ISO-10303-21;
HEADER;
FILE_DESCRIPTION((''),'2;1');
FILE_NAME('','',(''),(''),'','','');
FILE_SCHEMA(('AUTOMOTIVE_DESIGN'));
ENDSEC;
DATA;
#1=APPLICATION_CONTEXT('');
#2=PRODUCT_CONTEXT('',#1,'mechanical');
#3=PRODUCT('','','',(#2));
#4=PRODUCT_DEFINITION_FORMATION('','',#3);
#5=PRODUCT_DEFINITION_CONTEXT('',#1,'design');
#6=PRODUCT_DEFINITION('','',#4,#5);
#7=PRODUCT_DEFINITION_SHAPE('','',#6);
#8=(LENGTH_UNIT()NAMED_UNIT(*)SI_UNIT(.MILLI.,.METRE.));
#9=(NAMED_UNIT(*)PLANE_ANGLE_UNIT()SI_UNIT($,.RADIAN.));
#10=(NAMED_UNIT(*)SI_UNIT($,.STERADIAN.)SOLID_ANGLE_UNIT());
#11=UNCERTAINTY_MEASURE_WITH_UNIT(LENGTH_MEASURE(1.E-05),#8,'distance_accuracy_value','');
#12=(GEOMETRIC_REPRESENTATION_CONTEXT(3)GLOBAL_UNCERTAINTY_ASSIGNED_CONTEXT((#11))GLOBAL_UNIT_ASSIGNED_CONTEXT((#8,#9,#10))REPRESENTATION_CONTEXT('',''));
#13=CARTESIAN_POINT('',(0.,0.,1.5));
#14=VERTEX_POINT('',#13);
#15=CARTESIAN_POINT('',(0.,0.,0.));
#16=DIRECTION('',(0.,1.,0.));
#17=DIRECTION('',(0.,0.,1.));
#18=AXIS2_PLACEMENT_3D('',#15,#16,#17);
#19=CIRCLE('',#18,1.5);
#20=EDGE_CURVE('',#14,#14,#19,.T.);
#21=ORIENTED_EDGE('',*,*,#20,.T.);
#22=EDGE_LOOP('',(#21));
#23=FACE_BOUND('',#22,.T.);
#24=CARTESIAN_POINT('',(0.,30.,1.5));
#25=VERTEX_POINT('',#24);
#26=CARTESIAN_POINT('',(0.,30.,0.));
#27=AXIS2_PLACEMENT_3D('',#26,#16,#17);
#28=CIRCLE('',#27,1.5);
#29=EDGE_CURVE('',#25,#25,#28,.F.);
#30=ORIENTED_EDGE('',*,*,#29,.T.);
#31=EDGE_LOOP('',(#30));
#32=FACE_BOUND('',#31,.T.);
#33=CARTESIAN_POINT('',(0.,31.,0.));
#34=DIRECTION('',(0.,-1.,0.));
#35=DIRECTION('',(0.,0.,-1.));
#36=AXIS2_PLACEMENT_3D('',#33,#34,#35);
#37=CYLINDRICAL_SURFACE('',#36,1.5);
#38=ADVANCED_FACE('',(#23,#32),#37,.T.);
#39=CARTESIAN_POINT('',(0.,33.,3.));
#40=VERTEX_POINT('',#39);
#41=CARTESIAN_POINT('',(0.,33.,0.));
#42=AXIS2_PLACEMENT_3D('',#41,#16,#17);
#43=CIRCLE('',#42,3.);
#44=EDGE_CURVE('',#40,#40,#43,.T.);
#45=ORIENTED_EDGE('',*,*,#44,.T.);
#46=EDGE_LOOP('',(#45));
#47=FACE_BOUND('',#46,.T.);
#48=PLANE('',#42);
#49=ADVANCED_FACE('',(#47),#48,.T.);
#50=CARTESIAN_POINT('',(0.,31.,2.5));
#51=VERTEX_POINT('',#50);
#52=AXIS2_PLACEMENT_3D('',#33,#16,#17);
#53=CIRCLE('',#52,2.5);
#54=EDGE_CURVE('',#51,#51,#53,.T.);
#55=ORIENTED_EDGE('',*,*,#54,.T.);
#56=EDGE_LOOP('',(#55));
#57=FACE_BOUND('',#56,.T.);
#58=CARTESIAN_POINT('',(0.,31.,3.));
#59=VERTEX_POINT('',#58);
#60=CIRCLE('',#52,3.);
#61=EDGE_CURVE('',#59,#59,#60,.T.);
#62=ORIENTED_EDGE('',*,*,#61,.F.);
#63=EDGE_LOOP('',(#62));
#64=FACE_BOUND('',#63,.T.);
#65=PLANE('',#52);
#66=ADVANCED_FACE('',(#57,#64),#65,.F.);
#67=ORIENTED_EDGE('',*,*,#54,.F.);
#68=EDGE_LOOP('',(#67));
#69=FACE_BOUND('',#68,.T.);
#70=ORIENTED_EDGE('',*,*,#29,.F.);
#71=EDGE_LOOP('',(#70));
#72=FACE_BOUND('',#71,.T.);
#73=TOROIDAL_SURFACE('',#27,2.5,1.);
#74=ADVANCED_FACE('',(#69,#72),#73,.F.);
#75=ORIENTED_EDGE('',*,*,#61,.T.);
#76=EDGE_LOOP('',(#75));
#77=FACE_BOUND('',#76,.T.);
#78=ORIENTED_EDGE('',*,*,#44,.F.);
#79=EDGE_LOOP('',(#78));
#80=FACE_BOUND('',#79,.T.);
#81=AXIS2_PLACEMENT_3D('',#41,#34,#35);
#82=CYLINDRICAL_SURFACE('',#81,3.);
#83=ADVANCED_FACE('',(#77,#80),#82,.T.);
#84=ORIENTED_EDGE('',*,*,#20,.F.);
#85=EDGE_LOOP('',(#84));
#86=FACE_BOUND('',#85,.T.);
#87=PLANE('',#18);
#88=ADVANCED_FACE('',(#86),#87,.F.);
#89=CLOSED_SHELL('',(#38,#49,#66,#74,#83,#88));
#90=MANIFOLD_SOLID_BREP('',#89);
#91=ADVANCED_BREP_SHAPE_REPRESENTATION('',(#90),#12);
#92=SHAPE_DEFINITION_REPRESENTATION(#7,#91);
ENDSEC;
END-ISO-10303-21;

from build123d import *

# Parameters (mm, degrees)
SKETCH1_R           = 1.5
BOSS_EXTRUDE1_DEPTH = 31
SKETCH2_R           = 3
BOSS_EXTRUDE2_DEPTH = 2
FILLET1_R           = 1


with BuildPart() as part:
    # Sketch1 → Boss-Extrude1 (new body)
    with BuildSketch(Plane(origin=(0, 0, 0), x_dir=(1, 0, 0), z_dir=(0, 1, 0))):
        Circle(SKETCH1_R)
    extrude(amount=BOSS_EXTRUDE1_DEPTH)

    # Sketch2 → Boss-Extrude2 (add)
    with BuildSketch(Plane(origin=(0, 31, 0), x_dir=(1, 0, 0), z_dir=(0, 1, 0))):
        Circle(SKETCH2_R)
    extrude(amount=BOSS_EXTRUDE2_DEPTH)

    # Fillet1
    fillet1_edges = [part.edges().sort_by_distance(p)[0] for p in [
        (-1.5, 31, 0),
    ]]
    fillet(fillet1_edges, radius=FILLET1_R)


solid = part.part
